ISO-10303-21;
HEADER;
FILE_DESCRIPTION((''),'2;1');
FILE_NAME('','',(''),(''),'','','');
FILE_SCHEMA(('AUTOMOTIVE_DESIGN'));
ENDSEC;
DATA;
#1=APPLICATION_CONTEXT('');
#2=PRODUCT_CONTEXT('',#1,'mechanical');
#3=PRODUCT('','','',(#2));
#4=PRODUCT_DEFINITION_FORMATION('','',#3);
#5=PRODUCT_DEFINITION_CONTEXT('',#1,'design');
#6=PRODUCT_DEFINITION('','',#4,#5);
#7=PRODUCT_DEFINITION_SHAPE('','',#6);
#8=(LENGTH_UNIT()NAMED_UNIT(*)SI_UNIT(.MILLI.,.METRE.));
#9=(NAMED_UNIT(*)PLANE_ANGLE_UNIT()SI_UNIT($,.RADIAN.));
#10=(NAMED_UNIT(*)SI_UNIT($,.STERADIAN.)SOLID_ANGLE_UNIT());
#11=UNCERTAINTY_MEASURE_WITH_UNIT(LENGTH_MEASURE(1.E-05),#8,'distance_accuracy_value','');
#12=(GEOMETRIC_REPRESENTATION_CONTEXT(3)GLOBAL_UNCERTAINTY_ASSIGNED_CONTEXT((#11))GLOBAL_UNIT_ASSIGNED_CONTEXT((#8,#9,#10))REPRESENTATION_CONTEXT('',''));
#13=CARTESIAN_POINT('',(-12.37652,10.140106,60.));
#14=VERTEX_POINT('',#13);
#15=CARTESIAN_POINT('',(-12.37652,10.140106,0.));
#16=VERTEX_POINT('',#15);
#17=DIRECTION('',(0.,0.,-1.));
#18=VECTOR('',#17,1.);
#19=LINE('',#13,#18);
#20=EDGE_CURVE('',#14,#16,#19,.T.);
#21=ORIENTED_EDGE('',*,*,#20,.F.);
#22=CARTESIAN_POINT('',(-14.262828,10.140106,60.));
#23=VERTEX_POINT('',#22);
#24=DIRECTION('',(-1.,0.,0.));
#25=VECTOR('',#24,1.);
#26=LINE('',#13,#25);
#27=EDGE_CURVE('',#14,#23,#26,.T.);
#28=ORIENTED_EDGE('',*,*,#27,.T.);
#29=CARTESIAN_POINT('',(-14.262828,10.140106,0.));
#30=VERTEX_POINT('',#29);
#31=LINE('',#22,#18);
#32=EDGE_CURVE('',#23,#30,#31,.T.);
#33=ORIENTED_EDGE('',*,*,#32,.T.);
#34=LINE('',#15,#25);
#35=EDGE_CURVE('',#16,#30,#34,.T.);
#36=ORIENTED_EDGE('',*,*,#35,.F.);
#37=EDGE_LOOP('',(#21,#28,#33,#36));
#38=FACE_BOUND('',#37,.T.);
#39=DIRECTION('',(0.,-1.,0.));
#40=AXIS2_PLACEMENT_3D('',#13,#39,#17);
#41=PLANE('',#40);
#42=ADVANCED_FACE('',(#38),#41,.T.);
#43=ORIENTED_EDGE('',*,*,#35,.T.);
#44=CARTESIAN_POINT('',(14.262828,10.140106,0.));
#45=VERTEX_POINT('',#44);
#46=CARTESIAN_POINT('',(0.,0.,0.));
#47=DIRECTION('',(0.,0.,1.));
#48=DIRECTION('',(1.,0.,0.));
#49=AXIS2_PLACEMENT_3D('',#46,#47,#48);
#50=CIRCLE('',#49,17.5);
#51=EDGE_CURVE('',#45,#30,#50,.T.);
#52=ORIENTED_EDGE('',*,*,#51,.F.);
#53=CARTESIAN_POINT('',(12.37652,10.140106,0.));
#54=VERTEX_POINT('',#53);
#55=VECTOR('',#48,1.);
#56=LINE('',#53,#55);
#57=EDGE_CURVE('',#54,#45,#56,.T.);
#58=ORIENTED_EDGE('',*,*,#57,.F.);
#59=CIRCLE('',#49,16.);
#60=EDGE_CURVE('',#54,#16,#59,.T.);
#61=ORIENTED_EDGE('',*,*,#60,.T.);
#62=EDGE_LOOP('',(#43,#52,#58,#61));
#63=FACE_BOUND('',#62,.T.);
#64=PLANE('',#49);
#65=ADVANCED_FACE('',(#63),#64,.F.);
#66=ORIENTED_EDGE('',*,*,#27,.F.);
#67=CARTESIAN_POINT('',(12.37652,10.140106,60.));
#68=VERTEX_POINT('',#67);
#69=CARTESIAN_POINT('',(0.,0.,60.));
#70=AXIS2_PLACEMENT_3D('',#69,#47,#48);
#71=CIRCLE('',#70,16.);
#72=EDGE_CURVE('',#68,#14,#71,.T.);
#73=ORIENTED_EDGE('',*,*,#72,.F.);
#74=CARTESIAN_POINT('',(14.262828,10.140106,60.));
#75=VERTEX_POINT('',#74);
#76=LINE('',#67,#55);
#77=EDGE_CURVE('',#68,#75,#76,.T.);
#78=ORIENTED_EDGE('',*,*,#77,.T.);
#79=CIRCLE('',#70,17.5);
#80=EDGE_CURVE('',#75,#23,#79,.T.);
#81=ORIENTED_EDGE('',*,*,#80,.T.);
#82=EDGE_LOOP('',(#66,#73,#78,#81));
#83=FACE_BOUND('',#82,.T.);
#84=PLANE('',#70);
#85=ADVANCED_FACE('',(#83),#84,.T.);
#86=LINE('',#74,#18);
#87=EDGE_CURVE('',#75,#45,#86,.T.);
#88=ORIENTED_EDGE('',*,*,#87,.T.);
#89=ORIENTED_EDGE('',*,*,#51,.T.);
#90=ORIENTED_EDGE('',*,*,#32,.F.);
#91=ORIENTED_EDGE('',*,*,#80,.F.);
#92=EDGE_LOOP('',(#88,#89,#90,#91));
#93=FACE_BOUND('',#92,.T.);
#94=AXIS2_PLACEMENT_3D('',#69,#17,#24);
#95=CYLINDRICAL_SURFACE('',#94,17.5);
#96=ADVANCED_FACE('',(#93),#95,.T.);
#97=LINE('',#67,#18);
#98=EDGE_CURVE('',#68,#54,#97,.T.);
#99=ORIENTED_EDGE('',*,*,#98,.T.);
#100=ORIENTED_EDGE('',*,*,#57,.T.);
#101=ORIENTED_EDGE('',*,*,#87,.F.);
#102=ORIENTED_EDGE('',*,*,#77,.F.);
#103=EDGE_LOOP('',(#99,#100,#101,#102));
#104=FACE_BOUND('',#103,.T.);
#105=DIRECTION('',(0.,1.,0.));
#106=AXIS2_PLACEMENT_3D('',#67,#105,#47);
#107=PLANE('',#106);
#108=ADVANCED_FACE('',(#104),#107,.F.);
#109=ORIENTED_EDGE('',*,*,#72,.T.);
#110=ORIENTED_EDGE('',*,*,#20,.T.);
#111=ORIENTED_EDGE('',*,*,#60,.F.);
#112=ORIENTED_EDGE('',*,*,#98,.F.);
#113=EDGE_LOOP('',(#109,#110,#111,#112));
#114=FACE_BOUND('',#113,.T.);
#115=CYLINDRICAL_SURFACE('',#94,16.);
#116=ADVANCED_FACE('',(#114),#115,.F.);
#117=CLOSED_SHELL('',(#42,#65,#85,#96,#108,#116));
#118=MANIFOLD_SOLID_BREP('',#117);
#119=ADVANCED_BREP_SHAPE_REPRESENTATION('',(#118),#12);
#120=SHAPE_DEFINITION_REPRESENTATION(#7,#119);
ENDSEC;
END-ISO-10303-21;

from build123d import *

# Parameters (mm, degrees)
BOSS_EXTRUDE1_DEPTH = 60


with BuildPart() as part:
    # Sketch1 → Boss-Extrude1 (new body)
    with BuildSketch(Plane.XY):
        with BuildLine():
            Line((-12.376520215, 10.140105885), (-14.262827652, 10.140105885))
            ThreePointArc((-14.262827652, 10.140105885), (0, 17.5), (14.262827652, 10.140105885))
            Line((14.262827652, 10.140105885), (12.376520215, 10.140105885))
            ThreePointArc((12.376520215, 10.140105885), (0, 16), (-12.376520215, 10.140105885))
        make_face()
    extrude(amount=BOSS_EXTRUDE1_DEPTH)


solid = part.part
